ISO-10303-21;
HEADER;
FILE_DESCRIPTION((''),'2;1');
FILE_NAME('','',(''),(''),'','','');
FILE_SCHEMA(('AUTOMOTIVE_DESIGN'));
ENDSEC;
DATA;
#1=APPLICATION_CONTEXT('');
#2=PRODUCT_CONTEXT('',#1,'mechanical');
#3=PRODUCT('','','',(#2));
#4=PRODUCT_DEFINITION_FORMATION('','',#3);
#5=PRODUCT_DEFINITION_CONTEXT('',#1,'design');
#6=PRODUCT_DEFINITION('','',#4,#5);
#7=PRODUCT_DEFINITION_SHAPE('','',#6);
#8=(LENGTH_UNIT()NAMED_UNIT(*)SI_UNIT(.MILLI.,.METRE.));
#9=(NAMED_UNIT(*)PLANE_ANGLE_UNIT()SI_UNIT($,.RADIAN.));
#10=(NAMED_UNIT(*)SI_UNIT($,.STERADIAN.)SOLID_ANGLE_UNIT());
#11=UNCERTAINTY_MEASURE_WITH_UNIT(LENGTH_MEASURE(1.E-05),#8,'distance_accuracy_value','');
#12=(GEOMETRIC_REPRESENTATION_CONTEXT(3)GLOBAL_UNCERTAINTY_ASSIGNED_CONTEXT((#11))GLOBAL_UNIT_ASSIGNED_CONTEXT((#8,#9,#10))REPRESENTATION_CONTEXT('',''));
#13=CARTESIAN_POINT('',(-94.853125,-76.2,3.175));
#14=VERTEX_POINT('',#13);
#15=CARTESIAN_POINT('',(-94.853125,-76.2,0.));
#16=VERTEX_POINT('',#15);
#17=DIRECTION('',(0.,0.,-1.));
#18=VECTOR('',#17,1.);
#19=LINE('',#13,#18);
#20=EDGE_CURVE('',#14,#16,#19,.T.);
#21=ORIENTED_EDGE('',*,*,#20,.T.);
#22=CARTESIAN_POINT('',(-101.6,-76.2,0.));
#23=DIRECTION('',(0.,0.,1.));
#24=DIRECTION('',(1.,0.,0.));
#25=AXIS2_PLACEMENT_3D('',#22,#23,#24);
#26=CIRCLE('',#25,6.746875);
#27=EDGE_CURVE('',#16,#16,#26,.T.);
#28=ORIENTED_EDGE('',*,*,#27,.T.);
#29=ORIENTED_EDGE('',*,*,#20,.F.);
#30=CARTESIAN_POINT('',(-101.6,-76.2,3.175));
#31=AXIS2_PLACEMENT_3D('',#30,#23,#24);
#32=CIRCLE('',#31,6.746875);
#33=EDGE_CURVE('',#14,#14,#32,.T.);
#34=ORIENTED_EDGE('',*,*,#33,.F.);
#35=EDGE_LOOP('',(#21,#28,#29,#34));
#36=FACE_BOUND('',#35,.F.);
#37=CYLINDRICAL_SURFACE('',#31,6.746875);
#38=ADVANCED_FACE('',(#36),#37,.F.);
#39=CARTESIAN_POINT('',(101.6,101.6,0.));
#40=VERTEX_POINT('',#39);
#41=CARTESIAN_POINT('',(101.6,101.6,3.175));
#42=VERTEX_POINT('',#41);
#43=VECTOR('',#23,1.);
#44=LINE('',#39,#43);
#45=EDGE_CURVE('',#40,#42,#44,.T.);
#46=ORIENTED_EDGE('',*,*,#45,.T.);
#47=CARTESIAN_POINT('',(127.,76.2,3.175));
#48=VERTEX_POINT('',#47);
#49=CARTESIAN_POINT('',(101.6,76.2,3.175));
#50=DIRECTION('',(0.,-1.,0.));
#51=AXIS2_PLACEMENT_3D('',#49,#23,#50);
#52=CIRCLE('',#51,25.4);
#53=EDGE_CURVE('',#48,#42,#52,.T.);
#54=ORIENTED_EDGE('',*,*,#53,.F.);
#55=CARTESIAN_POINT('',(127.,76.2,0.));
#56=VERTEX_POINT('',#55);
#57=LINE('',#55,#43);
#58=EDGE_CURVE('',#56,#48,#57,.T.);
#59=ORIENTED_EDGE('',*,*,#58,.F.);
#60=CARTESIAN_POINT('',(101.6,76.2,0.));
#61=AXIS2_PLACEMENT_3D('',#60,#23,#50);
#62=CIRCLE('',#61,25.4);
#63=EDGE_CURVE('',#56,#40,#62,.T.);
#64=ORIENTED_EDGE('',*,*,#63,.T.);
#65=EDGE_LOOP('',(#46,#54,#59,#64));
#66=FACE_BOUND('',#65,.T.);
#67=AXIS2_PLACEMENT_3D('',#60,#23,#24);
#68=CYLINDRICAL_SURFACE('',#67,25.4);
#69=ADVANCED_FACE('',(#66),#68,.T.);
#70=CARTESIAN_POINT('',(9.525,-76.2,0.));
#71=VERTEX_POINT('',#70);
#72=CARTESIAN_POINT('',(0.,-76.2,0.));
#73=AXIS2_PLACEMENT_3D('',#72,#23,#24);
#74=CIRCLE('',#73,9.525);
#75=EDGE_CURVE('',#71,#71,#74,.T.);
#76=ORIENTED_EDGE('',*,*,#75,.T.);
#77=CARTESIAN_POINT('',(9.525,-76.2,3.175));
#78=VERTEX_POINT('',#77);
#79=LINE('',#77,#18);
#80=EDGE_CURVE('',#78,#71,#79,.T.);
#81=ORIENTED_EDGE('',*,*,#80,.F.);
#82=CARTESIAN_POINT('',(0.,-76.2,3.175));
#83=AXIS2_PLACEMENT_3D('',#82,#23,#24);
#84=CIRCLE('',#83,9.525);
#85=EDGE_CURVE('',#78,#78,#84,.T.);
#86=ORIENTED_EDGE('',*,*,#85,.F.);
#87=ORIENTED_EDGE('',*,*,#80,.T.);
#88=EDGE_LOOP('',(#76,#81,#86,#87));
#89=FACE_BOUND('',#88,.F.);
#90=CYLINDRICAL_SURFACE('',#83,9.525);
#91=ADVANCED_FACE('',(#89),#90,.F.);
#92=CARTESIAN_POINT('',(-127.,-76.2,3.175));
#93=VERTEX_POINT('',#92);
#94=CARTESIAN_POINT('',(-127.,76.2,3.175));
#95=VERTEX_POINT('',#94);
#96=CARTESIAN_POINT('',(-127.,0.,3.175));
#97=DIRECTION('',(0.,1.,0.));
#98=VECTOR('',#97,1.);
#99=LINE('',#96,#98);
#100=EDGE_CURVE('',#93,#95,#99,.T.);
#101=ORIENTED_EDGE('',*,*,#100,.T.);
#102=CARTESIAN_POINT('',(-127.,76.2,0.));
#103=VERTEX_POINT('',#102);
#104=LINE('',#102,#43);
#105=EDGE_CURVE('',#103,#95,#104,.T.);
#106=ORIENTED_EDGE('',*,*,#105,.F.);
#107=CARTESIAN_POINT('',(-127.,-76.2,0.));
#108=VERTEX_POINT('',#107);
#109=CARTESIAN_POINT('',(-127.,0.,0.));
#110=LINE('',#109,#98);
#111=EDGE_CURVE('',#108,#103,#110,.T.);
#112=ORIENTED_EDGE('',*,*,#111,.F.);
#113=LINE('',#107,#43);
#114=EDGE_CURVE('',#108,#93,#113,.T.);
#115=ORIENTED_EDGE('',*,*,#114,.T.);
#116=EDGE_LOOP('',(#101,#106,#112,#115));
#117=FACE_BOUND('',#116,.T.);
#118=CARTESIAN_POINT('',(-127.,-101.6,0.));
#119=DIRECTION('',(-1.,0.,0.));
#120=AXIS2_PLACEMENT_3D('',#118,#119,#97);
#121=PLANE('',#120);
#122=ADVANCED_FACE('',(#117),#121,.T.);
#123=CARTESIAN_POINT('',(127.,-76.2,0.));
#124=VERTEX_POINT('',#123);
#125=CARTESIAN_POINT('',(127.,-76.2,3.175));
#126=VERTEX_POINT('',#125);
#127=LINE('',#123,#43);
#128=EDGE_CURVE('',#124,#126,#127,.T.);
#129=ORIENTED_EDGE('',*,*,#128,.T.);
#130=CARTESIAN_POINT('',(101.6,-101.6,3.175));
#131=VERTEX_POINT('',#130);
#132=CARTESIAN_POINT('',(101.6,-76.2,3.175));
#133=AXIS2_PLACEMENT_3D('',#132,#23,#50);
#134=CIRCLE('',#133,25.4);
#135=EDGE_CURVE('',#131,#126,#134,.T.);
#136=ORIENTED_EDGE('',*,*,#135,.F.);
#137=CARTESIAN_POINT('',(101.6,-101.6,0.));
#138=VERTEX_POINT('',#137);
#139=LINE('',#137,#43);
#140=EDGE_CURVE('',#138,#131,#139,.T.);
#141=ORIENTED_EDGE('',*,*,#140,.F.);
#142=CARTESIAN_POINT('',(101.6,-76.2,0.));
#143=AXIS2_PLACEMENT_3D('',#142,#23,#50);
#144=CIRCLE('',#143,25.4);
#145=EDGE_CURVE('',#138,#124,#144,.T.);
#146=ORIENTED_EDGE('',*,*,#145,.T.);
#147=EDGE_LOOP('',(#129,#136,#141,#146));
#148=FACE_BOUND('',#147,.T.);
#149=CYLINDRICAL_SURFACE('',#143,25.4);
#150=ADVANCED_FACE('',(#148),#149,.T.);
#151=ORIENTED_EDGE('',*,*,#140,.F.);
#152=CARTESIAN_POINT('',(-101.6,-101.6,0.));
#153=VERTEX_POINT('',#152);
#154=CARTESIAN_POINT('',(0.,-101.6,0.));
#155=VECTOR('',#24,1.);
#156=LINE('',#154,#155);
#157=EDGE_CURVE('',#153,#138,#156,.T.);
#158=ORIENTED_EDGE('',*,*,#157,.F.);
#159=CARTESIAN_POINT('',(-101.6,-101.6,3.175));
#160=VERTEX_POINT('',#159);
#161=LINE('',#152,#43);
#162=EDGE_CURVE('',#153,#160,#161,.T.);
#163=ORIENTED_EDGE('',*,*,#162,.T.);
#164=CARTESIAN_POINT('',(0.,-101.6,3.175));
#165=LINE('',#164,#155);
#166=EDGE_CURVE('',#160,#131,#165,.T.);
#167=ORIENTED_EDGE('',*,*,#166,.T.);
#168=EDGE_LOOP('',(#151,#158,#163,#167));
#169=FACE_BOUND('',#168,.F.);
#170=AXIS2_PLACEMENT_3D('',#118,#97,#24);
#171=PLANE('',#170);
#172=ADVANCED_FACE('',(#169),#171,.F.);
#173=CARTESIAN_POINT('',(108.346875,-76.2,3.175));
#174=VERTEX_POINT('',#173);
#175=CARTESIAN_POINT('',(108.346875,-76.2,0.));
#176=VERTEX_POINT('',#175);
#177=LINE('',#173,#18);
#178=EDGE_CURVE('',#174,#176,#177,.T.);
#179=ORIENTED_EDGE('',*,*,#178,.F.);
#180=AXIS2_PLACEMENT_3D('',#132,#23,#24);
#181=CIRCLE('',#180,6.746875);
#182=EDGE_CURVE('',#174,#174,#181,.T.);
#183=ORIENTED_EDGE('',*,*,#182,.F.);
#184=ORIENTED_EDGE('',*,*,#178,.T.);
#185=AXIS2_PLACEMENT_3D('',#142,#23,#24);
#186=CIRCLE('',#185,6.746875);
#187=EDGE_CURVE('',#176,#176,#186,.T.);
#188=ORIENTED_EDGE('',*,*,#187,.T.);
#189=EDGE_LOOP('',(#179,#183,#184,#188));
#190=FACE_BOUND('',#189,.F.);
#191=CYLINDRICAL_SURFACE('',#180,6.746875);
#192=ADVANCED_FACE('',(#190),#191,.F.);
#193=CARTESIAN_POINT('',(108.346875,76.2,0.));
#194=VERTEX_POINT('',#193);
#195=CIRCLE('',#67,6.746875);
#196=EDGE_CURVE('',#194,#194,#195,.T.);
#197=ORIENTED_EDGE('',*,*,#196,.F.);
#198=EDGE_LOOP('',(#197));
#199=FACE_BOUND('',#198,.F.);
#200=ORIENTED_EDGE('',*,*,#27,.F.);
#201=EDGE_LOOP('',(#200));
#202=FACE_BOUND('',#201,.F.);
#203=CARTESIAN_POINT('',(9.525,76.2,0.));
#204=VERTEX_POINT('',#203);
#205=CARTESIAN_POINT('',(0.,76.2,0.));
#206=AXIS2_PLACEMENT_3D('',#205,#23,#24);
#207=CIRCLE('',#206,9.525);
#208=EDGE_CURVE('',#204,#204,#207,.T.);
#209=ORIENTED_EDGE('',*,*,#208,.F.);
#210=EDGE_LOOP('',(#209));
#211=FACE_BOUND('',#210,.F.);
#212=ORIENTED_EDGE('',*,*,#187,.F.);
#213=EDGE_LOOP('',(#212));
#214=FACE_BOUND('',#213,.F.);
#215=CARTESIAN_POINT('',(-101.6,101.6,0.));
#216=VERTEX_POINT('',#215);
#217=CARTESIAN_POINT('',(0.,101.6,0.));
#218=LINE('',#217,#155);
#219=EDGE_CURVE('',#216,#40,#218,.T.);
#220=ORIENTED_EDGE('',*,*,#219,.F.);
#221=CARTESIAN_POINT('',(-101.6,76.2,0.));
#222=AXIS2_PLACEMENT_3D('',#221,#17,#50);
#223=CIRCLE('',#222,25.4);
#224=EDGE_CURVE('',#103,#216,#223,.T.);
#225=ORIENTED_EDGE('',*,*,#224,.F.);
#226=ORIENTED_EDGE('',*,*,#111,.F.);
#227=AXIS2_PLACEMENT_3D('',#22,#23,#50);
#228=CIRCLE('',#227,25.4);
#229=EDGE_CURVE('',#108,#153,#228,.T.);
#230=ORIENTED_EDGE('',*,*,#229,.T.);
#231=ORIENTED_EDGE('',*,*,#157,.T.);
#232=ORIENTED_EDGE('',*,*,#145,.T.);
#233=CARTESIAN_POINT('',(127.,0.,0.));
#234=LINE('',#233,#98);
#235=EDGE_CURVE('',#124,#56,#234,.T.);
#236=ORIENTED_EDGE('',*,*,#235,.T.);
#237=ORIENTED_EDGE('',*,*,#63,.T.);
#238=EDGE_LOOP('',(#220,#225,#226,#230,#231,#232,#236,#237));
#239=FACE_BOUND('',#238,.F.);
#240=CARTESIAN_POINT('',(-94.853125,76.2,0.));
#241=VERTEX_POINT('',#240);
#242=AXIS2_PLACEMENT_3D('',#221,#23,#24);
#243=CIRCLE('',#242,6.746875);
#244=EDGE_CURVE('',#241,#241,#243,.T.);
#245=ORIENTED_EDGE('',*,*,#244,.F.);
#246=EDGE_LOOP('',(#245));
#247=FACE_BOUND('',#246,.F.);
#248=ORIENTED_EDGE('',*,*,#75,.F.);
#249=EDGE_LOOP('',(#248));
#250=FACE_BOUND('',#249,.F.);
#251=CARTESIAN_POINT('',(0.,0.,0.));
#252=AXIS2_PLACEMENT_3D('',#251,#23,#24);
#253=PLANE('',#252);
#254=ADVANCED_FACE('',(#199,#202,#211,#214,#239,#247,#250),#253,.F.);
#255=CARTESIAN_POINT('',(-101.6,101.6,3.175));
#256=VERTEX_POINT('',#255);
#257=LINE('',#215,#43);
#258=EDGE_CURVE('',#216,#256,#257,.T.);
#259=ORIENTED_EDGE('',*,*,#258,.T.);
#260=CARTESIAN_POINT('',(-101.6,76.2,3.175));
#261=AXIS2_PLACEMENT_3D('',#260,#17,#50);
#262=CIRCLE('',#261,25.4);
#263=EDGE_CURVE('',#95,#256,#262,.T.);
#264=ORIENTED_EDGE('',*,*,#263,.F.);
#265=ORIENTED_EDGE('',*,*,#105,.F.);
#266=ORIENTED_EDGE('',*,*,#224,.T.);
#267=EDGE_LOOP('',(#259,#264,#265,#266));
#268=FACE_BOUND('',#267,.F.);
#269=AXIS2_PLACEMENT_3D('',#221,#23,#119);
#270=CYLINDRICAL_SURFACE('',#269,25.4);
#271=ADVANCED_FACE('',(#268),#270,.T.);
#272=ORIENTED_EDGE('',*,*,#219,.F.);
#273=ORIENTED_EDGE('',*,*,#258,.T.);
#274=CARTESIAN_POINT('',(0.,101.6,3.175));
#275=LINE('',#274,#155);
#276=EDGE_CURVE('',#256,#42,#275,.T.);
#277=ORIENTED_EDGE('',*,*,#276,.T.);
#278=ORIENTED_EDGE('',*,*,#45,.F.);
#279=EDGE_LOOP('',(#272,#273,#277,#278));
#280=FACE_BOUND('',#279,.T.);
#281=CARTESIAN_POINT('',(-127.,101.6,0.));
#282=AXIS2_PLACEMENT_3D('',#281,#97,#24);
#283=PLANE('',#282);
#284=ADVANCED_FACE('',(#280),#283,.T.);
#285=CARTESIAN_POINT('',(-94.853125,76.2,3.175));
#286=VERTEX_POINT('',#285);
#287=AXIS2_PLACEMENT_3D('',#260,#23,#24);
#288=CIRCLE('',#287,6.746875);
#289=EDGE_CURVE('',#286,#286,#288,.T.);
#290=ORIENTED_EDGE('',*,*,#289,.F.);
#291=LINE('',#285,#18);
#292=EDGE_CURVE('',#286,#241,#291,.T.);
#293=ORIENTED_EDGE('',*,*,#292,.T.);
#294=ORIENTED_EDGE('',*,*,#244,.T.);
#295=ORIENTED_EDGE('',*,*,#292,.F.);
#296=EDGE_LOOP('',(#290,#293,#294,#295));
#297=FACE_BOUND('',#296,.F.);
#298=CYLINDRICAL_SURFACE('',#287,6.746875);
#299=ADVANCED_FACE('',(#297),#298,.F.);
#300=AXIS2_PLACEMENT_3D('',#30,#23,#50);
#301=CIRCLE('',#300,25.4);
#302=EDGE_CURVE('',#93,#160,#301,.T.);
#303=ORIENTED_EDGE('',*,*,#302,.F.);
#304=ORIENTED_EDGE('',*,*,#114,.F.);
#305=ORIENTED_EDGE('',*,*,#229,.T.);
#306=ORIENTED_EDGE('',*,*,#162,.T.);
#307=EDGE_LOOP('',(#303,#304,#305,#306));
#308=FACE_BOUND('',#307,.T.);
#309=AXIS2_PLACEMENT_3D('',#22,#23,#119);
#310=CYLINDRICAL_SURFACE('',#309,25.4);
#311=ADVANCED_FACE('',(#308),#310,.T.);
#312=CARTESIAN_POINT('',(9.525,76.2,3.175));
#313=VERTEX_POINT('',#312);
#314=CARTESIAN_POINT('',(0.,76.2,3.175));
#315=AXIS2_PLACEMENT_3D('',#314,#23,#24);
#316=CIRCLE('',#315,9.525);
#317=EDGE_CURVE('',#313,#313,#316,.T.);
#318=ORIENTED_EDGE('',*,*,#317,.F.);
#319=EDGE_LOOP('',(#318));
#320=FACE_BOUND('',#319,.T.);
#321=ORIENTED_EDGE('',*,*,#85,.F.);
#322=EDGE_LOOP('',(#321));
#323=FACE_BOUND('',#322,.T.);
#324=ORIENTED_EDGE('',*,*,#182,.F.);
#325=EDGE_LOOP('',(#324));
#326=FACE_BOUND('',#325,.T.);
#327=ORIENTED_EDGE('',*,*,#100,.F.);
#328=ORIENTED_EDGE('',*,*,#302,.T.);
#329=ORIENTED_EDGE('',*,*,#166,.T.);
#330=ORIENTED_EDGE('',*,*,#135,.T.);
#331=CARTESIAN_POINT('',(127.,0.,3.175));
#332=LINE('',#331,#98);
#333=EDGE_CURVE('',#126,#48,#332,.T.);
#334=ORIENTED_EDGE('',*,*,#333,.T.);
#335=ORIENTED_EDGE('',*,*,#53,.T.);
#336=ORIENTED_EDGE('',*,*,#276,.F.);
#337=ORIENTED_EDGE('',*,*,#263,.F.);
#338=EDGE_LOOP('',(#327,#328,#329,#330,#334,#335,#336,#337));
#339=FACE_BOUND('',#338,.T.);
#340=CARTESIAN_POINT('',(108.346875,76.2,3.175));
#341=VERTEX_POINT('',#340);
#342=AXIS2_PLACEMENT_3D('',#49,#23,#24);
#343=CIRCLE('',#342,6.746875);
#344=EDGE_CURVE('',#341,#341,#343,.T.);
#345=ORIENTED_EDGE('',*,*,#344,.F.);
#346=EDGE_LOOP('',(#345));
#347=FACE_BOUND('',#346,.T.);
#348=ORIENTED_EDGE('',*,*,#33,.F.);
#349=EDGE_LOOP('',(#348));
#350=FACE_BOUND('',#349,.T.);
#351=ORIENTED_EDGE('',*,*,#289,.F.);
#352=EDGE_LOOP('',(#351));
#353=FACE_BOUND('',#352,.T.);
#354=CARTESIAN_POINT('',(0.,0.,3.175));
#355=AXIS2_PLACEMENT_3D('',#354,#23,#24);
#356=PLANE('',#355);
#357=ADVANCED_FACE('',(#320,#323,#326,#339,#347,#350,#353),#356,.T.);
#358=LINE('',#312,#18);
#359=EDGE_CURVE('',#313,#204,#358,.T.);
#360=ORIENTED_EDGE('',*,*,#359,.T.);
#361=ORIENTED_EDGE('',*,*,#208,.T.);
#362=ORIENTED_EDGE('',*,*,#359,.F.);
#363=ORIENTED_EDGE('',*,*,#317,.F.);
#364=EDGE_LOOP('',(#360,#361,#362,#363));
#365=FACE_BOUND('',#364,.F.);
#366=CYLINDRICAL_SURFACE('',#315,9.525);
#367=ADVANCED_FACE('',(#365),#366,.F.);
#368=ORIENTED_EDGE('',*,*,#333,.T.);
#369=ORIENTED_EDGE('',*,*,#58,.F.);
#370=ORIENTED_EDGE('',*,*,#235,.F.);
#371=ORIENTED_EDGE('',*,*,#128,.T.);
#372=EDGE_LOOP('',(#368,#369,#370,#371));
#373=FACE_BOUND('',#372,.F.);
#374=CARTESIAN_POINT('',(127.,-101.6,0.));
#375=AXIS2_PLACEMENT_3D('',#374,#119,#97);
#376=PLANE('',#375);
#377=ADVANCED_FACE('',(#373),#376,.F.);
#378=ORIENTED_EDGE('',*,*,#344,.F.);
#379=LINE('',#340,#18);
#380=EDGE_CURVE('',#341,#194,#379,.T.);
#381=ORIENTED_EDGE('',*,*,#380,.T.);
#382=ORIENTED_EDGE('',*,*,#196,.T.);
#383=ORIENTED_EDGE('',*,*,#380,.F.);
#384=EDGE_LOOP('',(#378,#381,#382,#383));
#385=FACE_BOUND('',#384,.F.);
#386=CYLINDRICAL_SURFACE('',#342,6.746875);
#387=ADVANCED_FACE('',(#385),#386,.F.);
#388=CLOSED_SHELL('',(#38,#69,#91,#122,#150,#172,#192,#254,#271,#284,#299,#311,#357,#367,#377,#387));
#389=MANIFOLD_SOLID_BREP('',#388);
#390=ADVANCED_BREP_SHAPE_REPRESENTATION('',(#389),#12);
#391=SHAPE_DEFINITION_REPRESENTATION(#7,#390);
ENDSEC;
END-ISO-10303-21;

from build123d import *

# Parameters (mm, degrees)
F0_W     = 254
F0_H     = 203.2
F1_DEPTH = 3.175
F2_R     = 25.4
F3_R     = 9.525
F3_R_2   = 6.746875
F4_DEPTH = 3.176


with BuildPart() as f1:
    # F0 (on Top) → F1 (new body)
    with BuildSketch(Plane.XY):
        Rectangle(F0_W, F0_H)
    extrude(amount=F1_DEPTH)

    # F2
    f2_edges = [f1.edges().sort_by_distance(p)[0] for p in [
        (127, 101.6, 1.5875),
        (-127, 101.6, 1.5875),
        (127, -101.6, 1.5875),
        (-127, -101.6, 1.5875),
    ]]
    fillet(f2_edges, radius=F2_R)

    # F3 (on face) → F4 (cut, through all)
    with BuildSketch(Plane.XY.offset(3.175)):
        with Locations((0, 76.2)):
            Circle(F3_R)
        with Locations((0, -76.2)):
            Circle(F3_R)
        with Locations((-101.6, 76.2)):
            Circle(F3_R_2)
        with Locations((-101.6, -76.2)):
            Circle(F3_R_2)
        with Locations((101.6, 76.2)):
            Circle(F3_R_2)
        with Locations((101.6, -76.2)):
            Circle(F3_R_2)
    extrude(amount=-F4_DEPTH, mode=Mode.SUBTRACT)


solid = f1.part
